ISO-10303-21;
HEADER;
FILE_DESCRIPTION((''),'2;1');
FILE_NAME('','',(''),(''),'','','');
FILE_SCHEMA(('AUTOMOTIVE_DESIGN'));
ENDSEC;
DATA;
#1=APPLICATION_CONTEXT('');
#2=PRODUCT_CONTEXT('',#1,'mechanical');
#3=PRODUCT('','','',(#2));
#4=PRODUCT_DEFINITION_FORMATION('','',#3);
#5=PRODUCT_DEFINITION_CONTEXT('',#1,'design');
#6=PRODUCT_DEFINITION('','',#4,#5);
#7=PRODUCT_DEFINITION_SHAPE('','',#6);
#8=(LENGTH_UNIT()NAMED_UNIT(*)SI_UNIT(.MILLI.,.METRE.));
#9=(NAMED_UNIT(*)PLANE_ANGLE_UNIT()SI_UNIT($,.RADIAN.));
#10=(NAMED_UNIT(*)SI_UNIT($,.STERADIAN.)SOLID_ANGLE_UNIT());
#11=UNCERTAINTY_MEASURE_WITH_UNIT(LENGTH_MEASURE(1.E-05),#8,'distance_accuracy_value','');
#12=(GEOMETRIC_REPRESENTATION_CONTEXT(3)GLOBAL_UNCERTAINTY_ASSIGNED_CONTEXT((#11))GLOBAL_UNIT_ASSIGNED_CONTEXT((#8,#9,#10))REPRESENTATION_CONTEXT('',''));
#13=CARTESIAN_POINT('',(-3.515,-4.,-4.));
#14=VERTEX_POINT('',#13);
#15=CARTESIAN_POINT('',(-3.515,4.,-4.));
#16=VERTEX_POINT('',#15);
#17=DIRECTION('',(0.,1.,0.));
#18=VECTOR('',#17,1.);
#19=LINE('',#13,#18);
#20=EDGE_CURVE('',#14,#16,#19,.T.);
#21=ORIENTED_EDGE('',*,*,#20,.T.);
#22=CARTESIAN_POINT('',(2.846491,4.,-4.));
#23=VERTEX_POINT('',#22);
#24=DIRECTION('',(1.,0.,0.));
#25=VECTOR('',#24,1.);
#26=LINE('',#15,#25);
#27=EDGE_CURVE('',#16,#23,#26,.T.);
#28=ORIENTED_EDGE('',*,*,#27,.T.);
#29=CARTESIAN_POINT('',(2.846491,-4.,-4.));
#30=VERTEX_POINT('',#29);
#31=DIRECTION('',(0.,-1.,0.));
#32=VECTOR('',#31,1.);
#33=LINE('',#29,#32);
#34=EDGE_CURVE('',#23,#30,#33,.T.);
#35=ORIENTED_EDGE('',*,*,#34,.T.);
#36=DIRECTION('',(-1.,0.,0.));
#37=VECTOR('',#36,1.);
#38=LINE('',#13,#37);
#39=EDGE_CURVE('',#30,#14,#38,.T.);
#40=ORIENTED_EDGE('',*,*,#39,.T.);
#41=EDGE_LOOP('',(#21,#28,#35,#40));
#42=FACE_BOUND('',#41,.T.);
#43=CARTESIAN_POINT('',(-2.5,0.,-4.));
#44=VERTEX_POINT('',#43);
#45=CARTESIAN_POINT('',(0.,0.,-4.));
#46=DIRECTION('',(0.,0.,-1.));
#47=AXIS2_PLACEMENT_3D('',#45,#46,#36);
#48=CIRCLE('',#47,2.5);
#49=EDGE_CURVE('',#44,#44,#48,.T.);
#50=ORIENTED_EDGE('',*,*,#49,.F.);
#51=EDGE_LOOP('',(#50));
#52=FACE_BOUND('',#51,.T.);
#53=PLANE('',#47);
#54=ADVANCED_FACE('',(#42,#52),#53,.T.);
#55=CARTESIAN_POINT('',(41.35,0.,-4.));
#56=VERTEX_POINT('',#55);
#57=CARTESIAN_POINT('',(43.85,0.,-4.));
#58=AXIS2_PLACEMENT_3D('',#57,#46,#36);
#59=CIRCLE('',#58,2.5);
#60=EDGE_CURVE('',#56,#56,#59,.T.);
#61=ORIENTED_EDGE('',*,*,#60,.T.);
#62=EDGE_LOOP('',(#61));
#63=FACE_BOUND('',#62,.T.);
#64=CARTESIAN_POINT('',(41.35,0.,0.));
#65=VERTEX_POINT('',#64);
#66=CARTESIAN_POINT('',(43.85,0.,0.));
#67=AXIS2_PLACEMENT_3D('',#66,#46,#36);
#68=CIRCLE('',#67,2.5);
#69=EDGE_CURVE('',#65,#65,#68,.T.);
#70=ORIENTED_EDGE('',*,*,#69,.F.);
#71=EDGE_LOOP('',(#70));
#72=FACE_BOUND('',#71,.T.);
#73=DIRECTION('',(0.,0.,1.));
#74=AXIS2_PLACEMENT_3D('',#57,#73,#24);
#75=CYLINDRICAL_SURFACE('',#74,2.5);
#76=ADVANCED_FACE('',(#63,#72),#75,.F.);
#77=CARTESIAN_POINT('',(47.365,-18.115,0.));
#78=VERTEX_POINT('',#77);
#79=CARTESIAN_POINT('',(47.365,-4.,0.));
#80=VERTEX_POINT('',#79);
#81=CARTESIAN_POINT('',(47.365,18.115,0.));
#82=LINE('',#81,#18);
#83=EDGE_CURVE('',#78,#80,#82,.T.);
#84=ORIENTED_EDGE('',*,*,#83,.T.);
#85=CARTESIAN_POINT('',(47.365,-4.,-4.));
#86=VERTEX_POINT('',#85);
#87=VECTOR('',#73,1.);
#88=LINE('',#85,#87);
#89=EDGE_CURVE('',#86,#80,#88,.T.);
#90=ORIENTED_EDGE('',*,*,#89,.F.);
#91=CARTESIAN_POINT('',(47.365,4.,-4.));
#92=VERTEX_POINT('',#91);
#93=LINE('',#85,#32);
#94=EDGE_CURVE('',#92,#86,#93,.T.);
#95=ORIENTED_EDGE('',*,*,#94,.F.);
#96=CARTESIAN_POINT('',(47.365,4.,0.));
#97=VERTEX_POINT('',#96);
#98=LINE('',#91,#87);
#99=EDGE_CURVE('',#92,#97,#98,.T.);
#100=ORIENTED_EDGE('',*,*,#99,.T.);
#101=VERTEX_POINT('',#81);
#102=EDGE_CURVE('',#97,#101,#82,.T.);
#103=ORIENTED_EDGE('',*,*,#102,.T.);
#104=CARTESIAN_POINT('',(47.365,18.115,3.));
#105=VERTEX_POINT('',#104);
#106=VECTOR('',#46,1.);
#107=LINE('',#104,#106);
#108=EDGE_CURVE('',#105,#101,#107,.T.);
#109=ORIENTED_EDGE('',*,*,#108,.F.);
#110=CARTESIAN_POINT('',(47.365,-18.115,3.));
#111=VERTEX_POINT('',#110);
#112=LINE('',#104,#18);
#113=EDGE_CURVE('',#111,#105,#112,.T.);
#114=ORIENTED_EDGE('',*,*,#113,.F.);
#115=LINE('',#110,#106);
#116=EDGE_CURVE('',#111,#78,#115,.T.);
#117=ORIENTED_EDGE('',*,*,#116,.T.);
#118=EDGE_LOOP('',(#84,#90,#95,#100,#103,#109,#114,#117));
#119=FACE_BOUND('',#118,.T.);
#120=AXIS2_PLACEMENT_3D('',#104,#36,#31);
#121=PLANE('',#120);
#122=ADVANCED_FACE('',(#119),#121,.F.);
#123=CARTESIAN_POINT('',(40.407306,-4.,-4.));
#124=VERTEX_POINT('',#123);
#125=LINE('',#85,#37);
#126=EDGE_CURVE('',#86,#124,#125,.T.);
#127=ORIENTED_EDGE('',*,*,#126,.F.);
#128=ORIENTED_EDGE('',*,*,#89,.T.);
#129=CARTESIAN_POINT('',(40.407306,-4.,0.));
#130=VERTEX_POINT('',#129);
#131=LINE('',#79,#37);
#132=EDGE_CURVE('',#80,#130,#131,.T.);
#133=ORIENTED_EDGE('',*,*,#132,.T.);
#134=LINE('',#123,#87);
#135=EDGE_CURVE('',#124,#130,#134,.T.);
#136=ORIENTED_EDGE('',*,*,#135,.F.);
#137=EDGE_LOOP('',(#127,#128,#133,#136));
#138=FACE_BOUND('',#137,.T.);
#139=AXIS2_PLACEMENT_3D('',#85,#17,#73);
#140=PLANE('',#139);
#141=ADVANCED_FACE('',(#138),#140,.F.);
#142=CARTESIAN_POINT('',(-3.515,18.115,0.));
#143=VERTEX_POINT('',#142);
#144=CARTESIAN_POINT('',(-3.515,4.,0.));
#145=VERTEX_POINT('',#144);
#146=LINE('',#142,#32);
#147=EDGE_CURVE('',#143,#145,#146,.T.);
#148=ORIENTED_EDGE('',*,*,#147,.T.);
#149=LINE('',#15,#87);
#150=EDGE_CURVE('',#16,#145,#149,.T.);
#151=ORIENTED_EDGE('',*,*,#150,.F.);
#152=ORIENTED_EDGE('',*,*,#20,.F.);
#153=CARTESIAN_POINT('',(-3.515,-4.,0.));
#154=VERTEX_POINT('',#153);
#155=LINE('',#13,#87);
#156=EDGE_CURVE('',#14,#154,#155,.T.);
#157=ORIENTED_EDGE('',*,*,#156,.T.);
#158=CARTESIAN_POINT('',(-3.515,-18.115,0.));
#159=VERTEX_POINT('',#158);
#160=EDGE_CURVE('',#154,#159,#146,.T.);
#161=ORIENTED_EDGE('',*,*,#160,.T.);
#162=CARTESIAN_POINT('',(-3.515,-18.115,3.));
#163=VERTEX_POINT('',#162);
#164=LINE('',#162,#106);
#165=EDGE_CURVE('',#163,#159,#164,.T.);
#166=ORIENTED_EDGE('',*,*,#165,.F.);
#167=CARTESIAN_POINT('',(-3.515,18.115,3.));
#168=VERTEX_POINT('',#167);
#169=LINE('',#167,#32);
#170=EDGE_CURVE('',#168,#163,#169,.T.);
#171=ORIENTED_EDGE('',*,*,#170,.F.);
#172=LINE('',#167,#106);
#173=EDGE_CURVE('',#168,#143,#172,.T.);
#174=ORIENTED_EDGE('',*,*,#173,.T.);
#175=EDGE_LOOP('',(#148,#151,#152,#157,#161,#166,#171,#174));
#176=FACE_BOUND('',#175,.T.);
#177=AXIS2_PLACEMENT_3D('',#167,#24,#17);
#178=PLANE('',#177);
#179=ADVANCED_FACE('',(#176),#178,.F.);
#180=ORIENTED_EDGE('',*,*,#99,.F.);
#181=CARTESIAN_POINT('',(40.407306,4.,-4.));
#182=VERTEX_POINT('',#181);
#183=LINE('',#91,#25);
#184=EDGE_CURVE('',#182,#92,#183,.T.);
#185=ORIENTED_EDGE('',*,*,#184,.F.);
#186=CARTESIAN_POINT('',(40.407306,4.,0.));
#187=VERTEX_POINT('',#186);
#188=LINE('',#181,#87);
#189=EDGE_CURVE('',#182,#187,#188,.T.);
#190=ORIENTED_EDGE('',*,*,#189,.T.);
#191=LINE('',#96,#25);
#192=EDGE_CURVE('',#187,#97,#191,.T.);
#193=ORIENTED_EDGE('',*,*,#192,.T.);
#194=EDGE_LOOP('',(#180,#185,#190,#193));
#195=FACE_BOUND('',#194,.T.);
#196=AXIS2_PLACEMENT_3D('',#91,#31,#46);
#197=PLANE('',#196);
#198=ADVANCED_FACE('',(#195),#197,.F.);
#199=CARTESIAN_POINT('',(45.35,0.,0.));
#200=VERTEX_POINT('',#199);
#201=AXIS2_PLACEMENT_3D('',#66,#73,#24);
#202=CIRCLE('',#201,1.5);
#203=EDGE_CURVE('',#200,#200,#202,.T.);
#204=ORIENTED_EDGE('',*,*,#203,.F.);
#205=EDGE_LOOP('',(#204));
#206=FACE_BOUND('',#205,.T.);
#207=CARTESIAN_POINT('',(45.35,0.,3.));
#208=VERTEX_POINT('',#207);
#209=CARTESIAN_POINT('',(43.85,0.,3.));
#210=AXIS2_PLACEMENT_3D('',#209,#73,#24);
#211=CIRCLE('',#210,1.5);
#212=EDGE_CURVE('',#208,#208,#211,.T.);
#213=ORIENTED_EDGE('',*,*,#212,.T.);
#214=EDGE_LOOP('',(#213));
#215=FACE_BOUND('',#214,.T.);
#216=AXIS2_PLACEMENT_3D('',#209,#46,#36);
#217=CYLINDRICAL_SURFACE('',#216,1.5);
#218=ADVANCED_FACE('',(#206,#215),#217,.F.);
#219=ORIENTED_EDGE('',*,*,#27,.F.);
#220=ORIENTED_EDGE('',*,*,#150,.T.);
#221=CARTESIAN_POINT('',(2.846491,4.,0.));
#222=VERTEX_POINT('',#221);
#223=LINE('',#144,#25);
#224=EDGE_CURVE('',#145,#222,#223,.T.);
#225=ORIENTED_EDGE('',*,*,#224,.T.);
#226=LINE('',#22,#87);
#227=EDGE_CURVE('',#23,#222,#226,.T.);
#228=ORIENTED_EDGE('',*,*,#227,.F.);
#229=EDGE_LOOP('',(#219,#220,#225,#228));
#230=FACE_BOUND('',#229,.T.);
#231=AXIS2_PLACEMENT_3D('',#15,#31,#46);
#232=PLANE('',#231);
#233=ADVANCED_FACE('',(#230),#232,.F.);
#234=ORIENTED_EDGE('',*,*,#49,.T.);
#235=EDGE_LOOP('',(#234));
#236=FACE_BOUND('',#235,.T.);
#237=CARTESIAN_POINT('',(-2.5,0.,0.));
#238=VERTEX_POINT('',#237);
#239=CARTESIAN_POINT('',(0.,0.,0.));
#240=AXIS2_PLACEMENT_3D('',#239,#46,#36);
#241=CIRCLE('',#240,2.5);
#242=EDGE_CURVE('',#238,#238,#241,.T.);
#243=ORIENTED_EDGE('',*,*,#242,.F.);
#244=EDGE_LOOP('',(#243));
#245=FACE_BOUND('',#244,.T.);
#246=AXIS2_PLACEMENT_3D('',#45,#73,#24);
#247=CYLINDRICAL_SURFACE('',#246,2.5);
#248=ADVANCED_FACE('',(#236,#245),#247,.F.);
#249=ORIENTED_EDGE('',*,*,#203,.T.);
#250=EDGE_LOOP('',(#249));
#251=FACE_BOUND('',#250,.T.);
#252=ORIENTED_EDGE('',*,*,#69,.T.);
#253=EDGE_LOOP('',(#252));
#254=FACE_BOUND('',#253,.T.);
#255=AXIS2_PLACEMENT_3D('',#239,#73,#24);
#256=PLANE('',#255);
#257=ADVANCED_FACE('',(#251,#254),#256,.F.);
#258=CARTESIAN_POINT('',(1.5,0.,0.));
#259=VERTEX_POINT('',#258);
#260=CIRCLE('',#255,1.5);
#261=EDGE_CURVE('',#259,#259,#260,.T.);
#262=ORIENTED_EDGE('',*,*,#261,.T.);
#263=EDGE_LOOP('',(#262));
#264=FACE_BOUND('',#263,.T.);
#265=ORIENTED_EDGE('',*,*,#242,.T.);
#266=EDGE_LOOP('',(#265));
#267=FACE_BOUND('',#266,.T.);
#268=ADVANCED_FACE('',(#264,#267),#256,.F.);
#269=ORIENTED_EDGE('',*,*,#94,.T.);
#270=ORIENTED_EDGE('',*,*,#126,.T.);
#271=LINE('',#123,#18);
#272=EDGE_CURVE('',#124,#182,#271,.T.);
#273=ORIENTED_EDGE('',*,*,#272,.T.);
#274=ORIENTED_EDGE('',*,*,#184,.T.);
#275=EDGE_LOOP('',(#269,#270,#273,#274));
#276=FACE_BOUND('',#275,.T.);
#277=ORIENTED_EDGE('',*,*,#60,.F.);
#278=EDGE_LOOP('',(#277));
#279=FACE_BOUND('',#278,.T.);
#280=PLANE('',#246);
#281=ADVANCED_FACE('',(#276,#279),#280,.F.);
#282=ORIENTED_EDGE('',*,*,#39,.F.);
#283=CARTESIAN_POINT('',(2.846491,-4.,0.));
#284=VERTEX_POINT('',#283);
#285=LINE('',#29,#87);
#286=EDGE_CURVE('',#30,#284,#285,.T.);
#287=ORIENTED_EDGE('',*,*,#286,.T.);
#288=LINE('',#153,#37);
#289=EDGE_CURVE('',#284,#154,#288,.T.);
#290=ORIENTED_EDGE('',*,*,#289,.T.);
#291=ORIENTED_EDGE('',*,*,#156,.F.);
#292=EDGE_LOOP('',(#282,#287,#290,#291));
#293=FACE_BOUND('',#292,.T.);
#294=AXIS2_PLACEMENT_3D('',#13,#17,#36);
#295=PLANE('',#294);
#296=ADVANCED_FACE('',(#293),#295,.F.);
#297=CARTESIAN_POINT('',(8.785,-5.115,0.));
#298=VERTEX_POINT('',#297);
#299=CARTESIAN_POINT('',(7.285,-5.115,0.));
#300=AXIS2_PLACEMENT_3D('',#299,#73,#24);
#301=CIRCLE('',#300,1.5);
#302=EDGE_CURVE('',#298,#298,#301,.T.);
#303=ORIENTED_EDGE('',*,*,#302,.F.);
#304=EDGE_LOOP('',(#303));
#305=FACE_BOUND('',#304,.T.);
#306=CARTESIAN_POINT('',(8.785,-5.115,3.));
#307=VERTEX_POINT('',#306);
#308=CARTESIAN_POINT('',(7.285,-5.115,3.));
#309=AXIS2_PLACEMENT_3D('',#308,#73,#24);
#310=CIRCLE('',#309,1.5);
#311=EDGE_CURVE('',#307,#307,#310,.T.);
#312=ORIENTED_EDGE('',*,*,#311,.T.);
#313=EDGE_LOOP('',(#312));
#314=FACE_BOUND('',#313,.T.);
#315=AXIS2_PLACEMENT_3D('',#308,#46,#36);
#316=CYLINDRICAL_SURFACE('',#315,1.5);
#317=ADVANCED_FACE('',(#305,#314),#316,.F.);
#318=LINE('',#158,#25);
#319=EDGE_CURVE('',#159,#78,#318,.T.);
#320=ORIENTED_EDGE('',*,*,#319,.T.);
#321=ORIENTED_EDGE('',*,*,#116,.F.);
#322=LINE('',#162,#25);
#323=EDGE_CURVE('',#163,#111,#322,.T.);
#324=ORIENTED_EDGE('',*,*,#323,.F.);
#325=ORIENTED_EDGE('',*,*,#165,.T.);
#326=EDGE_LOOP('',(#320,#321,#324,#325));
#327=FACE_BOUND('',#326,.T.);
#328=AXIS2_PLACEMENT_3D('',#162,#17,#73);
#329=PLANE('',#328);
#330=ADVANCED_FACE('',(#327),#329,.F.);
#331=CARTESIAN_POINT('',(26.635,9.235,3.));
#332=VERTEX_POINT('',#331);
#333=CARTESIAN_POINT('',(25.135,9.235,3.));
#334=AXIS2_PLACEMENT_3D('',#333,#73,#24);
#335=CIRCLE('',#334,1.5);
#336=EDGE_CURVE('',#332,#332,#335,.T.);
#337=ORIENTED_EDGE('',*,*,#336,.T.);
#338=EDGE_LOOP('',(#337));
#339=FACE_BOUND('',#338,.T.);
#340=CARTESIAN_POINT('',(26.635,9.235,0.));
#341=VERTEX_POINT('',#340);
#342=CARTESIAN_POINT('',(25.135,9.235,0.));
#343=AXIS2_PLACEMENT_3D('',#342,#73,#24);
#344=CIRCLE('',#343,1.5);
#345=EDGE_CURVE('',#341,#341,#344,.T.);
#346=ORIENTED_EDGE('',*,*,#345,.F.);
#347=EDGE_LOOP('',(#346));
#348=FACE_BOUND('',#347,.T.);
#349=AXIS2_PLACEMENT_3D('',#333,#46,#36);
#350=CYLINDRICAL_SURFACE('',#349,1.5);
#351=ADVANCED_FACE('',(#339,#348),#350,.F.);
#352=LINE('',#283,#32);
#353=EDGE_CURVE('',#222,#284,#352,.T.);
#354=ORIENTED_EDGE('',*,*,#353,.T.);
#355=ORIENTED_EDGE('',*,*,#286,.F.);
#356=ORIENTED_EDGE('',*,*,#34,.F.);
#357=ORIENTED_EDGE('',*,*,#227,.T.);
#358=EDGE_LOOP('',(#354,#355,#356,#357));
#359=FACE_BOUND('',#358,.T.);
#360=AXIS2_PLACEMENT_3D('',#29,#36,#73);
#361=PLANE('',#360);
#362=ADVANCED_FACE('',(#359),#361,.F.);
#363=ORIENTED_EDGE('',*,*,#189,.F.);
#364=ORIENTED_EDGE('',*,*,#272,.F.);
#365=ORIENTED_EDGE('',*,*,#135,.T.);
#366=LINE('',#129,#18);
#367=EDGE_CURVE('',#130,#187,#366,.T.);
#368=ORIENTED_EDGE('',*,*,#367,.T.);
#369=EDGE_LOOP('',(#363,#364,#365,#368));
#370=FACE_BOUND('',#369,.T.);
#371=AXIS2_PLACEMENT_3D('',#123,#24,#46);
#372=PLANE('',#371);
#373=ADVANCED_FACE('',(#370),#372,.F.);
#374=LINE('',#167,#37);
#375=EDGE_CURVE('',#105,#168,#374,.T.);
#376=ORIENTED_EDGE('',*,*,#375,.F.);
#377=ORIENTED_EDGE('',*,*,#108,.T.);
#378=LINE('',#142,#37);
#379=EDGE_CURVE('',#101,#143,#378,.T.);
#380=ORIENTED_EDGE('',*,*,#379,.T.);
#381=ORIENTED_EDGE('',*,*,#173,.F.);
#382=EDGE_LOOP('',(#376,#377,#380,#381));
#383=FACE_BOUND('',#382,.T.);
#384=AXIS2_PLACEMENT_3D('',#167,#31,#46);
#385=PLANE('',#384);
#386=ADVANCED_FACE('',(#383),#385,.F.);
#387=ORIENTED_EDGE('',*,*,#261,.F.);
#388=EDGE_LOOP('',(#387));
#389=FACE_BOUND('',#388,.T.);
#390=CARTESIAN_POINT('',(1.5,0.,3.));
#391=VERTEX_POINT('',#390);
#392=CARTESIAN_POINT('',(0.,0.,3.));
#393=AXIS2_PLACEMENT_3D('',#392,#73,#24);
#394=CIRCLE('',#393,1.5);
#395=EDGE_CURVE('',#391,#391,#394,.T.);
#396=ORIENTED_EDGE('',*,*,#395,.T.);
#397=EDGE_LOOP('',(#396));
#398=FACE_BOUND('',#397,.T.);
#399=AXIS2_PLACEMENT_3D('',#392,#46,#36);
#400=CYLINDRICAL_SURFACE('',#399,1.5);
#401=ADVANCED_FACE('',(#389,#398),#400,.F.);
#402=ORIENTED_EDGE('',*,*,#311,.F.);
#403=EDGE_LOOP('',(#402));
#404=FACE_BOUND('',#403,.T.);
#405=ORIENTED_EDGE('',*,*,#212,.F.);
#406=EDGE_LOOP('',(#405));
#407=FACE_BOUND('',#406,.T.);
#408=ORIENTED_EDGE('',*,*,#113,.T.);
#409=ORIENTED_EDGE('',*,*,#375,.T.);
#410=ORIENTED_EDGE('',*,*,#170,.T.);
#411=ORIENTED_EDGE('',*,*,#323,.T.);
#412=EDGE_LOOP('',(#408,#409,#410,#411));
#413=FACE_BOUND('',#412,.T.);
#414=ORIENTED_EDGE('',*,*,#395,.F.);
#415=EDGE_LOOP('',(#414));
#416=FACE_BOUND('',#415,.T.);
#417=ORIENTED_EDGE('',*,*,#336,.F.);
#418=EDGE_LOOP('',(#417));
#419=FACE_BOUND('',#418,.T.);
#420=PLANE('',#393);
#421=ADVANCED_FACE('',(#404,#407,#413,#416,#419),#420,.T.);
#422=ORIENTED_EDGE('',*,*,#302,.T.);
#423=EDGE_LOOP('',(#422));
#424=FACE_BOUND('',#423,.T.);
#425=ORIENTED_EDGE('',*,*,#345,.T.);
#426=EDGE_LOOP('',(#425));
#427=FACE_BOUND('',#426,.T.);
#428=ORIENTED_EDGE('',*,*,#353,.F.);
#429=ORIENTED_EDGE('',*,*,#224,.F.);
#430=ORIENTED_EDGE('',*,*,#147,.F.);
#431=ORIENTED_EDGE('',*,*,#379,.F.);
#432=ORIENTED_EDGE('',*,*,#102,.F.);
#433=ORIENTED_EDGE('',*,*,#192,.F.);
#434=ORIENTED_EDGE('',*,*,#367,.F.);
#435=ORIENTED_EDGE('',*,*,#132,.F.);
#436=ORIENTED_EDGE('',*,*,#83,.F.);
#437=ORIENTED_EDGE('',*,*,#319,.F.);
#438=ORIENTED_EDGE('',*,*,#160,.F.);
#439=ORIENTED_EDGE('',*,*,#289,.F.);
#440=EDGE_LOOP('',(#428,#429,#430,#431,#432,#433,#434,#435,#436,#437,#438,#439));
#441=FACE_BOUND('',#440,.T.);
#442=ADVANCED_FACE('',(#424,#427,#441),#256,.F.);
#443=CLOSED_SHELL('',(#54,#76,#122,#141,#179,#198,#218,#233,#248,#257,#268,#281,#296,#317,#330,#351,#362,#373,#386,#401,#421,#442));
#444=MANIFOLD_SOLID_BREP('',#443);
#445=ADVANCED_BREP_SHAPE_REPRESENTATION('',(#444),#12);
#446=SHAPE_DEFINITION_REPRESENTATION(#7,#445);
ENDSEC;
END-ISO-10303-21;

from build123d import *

# Parameters (mm, degrees)
SKETCH_1_W      = 50.88
SKETCH_1_H      = 36.23
SKETCH_1_R      = 1.5
EXTRUDE_1_DEPTH = 3
SKETCH_2_W      = 6.361490509
SKETCH_2_H      = 8
SKETCH_2_R      = 2.5
SKETCH_2_W_2    = 6.95769393
EXTRUDE_2_DEPTH = 4


with BuildPart() as part:
    # 草图1 → 凸台-拉伸1 (new body)
    with BuildSketch(Plane.XY):
        with Locations((21.925, 0)):
            Rectangle(SKETCH_1_W, SKETCH_1_H)
        Circle(SKETCH_1_R, mode=Mode.SUBTRACT)
        with Locations((43.85, 0)):
            Circle(SKETCH_1_R, mode=Mode.SUBTRACT)
        with Locations((7.285, -5.115)):
            Circle(SKETCH_1_R, mode=Mode.SUBTRACT)
        with Locations((25.135, 9.235)):
            Circle(SKETCH_1_R, mode=Mode.SUBTRACT)
    extrude(amount=EXTRUDE_1_DEPTH)

    # 草图2 → 凸台-拉伸2 (add)
    # profile 1 of 2: a face of its own
    with BuildSketch(Plane(origin=(0, 0, 0), x_dir=(-1, 0, 0), z_dir=(0, 0, -1))):
        with Locations((0.334254746, 0)):
            Rectangle(SKETCH_2_W, SKETCH_2_H)
        Circle(SKETCH_2_R, mode=Mode.SUBTRACT)
    # profile 2 of 2: a face of its own
    with BuildSketch(Plane(origin=(0, 0, 0), x_dir=(-1, 0, 0), z_dir=(0, 0, -1))):
        with Locations((-43.886153035, 0)):
            Rectangle(SKETCH_2_W_2, SKETCH_2_H)
        with Locations((-43.85, 0)):
            Circle(SKETCH_2_R, mode=Mode.SUBTRACT)
    extrude(amount=EXTRUDE_2_DEPTH)


solid = part.part
